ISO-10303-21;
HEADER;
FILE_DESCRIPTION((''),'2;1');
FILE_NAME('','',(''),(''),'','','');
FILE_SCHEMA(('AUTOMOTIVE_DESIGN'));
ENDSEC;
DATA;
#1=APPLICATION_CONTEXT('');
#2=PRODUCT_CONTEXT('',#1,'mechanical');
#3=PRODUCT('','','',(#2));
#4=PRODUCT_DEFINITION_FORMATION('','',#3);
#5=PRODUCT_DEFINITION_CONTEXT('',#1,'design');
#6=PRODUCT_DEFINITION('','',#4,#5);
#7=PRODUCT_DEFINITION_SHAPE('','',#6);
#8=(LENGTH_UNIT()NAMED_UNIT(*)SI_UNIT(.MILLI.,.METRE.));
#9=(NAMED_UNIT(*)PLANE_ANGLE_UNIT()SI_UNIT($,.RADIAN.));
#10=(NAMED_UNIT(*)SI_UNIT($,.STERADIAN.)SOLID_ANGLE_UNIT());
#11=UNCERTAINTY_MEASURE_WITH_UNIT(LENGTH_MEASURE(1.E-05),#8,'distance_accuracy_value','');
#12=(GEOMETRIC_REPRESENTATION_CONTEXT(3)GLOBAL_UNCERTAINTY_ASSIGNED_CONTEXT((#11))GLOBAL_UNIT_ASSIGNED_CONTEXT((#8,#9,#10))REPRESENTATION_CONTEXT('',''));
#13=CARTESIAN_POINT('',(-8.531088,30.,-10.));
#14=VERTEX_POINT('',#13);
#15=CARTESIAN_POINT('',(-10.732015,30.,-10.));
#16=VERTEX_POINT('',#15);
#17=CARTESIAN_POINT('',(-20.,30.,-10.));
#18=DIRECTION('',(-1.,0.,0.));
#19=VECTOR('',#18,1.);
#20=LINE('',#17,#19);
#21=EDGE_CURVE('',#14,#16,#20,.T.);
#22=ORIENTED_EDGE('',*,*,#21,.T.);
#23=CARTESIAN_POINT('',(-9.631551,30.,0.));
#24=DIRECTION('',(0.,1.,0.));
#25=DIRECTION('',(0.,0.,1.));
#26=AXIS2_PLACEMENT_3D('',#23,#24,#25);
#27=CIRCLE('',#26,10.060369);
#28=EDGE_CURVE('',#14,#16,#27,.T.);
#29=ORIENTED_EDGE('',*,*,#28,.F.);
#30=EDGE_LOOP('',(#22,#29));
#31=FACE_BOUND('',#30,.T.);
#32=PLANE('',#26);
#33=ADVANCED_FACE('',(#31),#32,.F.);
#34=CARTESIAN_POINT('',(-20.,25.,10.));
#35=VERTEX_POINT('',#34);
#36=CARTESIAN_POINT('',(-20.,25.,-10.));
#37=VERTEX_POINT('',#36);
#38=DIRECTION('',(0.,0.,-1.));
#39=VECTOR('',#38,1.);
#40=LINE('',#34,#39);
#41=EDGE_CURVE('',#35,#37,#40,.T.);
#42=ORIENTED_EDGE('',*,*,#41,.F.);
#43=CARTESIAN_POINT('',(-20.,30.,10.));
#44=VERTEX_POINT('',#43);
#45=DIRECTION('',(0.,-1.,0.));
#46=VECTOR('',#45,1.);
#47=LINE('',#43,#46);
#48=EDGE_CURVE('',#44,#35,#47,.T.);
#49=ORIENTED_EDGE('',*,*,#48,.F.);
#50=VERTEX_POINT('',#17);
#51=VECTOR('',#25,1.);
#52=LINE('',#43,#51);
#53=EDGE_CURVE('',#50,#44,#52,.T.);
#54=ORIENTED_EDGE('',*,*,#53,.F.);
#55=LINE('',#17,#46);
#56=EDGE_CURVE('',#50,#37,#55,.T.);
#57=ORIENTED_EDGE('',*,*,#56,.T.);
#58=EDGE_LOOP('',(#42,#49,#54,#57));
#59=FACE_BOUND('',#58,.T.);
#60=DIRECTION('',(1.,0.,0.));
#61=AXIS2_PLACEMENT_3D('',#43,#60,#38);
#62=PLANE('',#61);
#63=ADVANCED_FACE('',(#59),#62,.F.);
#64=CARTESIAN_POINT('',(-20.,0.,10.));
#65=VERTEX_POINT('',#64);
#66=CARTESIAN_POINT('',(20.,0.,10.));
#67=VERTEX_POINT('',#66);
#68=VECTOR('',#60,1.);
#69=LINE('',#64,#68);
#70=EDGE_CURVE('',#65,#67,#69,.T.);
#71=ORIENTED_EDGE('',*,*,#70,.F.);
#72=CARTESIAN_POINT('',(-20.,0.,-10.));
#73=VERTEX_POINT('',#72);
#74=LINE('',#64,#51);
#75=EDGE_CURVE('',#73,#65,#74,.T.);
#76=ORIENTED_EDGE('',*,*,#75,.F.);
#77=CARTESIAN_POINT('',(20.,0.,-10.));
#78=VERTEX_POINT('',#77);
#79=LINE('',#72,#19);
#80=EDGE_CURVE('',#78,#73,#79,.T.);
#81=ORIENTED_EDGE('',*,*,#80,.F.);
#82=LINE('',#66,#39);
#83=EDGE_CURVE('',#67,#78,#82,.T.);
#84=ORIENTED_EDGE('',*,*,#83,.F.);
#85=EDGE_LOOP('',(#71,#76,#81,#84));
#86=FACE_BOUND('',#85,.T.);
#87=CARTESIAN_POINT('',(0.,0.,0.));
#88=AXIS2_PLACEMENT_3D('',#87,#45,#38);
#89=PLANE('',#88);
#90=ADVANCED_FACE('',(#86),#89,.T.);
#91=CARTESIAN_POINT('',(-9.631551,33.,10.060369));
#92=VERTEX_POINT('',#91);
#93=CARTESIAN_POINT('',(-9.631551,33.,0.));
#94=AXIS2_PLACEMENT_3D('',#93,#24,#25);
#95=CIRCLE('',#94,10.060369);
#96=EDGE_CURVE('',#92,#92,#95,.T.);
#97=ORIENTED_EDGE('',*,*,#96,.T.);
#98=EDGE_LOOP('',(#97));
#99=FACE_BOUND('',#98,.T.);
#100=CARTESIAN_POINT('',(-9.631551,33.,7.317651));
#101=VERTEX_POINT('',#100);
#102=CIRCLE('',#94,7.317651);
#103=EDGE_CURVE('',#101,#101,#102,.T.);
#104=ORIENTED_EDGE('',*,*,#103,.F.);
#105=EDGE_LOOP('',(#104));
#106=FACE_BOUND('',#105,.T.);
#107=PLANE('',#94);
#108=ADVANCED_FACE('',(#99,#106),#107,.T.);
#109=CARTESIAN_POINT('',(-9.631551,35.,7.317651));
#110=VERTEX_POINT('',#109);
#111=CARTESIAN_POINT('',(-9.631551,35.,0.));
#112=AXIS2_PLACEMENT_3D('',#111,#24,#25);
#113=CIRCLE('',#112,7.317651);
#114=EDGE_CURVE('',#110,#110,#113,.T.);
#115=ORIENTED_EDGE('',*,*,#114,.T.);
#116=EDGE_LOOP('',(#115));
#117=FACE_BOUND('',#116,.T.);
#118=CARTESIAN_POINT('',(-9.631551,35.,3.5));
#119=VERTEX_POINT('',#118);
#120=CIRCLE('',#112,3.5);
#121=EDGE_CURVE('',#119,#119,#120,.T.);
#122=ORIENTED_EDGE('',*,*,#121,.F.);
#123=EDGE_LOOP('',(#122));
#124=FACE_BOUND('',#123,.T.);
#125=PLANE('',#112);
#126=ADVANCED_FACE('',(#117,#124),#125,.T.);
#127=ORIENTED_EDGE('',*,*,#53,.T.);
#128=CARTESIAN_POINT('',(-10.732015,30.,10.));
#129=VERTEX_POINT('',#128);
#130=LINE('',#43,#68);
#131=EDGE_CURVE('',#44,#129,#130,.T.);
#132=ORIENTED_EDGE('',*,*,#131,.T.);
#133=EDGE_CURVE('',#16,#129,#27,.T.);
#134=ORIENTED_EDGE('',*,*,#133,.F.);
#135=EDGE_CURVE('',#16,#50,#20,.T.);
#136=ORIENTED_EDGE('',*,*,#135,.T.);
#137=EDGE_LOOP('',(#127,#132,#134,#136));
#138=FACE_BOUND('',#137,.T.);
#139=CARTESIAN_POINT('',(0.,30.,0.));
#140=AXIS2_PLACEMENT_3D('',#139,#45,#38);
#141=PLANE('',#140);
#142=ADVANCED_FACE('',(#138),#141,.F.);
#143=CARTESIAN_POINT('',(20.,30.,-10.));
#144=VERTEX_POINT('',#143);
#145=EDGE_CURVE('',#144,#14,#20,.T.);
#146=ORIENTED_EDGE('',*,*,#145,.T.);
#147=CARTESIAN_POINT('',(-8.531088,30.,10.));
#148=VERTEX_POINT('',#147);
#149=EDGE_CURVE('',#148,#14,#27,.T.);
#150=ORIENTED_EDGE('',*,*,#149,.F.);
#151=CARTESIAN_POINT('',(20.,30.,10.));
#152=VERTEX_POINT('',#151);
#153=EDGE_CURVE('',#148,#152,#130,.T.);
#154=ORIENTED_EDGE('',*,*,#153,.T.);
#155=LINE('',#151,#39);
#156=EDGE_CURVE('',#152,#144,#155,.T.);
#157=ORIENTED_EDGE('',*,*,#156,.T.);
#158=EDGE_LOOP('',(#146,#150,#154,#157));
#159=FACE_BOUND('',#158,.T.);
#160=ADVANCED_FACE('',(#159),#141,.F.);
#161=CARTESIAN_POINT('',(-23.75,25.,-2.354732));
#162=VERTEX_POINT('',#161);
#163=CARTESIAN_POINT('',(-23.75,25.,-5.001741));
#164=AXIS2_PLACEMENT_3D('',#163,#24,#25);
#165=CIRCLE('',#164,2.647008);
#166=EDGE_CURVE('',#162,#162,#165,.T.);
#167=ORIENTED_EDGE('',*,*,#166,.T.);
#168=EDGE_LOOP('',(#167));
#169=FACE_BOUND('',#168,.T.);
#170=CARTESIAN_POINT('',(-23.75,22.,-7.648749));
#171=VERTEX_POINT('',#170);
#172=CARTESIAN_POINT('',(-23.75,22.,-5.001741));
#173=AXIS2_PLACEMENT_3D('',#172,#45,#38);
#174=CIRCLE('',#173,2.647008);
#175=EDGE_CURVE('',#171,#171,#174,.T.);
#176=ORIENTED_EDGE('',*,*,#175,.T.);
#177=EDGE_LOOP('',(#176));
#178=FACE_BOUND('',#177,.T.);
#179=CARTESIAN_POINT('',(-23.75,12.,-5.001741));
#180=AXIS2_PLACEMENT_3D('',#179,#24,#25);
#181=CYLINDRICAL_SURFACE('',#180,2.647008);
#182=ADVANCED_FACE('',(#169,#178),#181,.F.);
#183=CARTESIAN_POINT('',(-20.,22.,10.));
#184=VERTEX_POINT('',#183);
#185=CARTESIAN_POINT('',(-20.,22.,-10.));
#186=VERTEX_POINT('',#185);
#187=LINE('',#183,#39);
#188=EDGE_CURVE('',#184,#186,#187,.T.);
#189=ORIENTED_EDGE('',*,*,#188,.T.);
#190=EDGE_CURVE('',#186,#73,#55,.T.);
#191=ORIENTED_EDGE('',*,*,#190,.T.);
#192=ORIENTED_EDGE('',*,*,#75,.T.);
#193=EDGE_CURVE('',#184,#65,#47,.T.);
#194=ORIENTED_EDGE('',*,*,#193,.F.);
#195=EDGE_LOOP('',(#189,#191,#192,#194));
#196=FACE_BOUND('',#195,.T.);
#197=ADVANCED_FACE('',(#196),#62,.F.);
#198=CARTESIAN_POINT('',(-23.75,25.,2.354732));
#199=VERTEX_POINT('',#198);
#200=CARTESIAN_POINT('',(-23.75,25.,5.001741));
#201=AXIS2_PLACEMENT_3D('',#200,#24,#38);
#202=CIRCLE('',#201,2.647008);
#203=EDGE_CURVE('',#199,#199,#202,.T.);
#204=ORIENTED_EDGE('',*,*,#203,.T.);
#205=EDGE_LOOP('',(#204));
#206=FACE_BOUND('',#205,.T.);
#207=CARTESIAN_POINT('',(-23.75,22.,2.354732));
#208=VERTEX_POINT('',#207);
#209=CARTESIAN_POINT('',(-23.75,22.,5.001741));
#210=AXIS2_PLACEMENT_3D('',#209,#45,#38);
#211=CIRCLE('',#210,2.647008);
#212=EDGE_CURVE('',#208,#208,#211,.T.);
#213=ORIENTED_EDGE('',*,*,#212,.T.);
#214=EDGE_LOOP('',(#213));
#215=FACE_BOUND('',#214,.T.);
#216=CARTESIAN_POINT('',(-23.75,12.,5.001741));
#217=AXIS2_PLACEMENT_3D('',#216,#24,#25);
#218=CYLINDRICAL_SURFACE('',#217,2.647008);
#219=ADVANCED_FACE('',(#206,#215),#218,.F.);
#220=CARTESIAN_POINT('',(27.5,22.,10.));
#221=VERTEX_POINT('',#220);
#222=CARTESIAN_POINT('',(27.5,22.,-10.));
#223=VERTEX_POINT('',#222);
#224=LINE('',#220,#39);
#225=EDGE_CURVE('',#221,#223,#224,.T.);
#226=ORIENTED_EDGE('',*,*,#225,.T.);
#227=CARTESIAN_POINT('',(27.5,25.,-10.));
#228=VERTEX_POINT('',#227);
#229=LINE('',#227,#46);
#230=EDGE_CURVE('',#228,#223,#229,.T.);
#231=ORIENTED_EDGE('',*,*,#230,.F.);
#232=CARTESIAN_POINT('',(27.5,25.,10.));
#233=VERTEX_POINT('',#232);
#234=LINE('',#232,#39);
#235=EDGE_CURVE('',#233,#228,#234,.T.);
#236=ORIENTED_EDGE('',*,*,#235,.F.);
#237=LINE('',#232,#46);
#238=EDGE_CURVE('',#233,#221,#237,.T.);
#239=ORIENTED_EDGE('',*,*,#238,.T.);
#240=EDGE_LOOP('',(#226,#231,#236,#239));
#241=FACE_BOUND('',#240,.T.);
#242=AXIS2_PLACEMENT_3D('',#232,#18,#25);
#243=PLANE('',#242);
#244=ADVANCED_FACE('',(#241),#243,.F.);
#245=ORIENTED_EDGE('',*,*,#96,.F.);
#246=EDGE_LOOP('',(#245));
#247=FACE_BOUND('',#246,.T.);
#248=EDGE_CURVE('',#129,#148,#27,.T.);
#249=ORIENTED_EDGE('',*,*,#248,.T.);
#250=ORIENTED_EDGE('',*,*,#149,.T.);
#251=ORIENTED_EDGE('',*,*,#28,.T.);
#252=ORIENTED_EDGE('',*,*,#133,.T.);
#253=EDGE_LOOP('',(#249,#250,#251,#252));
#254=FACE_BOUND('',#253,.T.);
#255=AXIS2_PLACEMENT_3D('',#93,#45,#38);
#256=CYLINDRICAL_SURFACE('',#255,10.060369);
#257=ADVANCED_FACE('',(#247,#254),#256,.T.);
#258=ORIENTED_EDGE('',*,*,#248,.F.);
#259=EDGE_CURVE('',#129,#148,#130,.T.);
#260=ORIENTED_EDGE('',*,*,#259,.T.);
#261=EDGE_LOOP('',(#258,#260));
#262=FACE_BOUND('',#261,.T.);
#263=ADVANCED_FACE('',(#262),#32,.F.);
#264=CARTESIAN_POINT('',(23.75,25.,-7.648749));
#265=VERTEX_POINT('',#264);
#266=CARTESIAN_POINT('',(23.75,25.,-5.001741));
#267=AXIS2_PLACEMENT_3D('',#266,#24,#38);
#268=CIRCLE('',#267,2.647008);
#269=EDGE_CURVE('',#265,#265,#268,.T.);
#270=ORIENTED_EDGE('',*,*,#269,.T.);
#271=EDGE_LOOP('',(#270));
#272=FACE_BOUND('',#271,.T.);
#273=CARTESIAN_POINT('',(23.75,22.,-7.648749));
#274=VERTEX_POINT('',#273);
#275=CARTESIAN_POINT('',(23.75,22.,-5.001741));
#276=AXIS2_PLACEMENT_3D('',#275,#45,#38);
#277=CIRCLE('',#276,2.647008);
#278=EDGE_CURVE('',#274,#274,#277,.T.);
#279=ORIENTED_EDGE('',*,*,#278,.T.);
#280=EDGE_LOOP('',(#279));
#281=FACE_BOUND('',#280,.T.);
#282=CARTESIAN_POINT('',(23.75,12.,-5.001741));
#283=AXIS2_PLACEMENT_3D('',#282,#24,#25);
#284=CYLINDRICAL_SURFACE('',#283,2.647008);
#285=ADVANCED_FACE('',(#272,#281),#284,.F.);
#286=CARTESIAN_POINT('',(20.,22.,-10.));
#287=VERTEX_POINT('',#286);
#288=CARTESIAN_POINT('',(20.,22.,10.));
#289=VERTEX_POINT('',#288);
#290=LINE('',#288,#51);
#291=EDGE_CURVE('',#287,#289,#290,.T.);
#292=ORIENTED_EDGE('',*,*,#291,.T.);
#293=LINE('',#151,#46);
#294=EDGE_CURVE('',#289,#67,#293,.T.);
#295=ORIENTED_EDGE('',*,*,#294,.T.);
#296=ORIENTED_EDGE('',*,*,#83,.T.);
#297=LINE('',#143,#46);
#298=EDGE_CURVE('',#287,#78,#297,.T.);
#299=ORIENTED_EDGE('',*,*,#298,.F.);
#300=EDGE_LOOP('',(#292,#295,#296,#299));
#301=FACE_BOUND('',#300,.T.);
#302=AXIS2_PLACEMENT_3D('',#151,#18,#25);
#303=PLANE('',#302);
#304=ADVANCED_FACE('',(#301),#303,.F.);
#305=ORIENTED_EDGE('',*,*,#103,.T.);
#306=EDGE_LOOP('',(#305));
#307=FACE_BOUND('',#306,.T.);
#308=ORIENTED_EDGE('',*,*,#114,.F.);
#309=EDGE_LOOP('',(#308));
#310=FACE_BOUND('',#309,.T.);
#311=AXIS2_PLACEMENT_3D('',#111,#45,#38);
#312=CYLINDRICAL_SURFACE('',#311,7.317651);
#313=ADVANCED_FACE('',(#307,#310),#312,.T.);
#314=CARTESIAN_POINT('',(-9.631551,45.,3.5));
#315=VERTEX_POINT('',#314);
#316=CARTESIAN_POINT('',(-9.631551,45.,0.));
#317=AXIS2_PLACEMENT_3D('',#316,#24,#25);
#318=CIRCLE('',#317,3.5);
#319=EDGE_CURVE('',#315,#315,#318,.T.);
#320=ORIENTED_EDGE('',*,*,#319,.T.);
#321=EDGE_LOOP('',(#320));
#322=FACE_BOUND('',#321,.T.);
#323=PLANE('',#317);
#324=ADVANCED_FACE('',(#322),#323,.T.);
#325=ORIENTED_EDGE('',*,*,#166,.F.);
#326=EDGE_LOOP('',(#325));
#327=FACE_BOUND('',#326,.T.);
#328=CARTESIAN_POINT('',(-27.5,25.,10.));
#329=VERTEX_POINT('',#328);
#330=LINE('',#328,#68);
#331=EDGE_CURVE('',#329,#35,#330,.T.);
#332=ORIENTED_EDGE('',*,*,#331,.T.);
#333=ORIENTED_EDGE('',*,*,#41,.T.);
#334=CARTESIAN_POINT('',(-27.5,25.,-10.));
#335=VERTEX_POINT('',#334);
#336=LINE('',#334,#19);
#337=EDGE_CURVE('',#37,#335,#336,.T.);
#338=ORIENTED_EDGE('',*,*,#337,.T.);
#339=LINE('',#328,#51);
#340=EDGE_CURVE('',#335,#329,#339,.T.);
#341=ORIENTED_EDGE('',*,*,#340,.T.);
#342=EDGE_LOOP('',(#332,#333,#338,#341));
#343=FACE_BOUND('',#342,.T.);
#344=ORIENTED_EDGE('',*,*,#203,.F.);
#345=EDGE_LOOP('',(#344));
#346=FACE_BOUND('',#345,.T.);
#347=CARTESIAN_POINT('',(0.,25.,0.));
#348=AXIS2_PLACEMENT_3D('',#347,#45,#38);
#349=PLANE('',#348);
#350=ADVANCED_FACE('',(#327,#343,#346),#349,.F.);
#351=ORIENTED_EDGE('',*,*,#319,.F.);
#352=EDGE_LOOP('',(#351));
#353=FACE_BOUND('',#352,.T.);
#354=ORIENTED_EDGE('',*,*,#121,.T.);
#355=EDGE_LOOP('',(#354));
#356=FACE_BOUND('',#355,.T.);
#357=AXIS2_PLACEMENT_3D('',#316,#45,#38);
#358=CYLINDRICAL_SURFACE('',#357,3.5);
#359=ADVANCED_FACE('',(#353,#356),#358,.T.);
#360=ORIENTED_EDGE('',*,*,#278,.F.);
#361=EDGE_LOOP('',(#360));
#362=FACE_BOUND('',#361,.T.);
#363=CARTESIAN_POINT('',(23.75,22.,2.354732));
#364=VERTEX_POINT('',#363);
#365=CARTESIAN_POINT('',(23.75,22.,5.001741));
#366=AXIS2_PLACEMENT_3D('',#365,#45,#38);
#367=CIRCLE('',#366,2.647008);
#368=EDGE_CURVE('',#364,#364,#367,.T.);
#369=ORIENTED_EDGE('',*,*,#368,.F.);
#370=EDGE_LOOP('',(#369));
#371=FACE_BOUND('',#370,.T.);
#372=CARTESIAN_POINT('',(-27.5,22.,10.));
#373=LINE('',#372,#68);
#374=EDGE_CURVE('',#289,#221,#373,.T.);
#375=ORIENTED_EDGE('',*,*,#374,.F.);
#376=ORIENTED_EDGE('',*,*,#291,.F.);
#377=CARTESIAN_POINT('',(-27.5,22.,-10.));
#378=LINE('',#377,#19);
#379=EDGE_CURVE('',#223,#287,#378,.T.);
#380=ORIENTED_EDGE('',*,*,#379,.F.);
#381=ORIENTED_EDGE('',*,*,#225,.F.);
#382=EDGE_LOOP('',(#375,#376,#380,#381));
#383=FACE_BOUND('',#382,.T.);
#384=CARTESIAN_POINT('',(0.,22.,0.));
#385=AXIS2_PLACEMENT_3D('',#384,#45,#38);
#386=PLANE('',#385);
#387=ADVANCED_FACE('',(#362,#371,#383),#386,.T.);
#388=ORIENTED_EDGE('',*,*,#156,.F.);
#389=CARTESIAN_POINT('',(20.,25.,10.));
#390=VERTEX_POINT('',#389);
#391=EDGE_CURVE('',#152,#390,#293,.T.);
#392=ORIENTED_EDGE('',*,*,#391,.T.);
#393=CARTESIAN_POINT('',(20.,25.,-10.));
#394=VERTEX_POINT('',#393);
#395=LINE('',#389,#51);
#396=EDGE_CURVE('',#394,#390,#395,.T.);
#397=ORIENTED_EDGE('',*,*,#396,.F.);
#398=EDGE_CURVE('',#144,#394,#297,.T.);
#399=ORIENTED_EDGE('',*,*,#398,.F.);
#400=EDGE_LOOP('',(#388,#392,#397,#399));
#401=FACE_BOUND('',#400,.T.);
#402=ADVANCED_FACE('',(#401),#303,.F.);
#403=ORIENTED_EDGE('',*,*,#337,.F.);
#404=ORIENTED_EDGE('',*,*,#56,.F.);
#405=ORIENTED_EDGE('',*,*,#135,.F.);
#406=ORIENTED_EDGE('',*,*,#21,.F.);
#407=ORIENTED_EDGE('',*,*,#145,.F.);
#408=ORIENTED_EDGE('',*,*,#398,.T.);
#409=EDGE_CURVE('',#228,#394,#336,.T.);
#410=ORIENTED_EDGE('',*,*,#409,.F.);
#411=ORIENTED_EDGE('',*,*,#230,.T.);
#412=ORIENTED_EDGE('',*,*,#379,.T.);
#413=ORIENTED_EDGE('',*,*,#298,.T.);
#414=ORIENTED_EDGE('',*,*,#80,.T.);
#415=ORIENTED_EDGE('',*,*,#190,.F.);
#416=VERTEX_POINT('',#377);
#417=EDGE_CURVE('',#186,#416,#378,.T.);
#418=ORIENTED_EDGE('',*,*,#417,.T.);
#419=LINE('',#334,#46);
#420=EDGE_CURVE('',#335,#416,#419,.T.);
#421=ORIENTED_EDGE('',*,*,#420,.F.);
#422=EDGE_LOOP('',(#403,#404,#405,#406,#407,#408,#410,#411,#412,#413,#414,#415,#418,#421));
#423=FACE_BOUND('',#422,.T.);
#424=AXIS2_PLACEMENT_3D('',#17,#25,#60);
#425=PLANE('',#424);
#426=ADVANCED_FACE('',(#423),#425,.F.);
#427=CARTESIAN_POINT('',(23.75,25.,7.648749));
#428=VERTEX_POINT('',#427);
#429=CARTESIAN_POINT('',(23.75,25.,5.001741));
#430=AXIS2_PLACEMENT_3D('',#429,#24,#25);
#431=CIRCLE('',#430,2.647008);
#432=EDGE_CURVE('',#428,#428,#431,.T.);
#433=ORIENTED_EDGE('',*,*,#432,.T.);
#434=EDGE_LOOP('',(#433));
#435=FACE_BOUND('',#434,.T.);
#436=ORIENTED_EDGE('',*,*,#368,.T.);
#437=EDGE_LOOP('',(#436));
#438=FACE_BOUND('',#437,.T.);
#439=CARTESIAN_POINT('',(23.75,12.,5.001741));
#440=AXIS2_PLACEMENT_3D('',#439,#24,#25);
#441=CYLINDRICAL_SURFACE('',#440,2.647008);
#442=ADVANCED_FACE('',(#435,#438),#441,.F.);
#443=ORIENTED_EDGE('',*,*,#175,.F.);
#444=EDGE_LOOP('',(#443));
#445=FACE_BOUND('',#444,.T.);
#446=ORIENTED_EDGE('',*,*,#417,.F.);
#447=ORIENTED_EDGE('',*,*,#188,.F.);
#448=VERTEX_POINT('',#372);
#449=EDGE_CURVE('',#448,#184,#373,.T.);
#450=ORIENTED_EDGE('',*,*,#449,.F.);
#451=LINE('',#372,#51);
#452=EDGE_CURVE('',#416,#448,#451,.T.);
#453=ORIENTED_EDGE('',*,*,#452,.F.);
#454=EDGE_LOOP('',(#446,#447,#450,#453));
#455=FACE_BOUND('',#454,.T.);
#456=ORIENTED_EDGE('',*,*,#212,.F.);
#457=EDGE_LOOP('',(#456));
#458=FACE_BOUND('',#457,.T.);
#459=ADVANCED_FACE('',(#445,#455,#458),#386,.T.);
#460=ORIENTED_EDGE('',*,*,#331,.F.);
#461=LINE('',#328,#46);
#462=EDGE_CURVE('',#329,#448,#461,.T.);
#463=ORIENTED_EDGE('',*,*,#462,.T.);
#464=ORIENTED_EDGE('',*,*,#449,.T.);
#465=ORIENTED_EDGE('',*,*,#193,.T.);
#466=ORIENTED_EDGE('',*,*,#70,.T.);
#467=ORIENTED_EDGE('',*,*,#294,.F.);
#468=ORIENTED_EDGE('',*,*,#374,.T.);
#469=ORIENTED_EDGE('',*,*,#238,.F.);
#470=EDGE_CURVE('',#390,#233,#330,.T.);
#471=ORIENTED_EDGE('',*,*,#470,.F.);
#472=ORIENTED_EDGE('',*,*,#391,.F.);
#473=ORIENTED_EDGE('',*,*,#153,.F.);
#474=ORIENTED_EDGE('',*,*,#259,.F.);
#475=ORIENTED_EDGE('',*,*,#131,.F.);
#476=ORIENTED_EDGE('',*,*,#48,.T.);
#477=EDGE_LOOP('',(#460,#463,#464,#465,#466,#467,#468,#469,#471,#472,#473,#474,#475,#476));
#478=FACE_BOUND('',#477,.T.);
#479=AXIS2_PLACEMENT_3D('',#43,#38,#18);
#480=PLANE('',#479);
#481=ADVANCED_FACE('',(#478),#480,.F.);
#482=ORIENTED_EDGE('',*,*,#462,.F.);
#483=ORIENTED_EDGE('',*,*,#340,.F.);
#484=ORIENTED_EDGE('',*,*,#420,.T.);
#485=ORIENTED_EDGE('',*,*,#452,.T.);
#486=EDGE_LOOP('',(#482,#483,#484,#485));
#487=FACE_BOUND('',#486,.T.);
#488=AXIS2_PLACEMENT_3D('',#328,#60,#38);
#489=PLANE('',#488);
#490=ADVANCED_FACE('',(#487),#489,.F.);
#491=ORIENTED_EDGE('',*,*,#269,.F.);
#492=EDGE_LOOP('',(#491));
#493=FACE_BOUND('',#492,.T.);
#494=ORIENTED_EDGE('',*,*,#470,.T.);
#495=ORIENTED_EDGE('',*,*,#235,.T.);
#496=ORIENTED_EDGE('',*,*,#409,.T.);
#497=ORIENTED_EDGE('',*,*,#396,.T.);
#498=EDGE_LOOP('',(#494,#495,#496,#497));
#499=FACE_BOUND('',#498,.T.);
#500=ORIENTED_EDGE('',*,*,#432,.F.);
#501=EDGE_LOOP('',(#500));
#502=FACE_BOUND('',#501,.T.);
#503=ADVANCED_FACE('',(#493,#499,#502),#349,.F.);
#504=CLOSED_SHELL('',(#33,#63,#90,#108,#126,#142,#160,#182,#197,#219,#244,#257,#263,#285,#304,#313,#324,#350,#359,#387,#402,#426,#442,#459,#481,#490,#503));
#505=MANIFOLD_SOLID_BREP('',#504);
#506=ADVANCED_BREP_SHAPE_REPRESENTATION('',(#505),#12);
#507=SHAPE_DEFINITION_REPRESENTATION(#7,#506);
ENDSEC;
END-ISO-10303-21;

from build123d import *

# Parameters (mm, degrees)
IZIM1_W                     = 40
IZIM1_H                     = 20
Y_KSEKLIK_EKSTR_ZYON1_DEPTH = 30
IZIM2_W                     = 55
IZIM2_H                     = 20
Y_KSEKLIK_EKSTR_ZYON2_DEPTH = 3
IZIM3_R                     = 2.647008292
KES_EKSTR_ZYON1_DEPTH       = 13
IZIM4_R                     = 10.060368761
Y_KSEKLIK_EKSTR_ZYON3_DEPTH = 3
IZIM5_R                     = 7.317651021
Y_KSEKLIK_EKSTR_ZYON4_DEPTH = 2
IZIM6_R                     = 3.5
Y_KSEKLIK_EKSTR_ZYON5_DEPTH = 10


with BuildPart() as part:
    # Çizim1 → Yükseklik-Ekstrüzyon1 (new body)
    with BuildSketch(Plane(origin=(0, 0, 0), x_dir=(1, 0, 0), z_dir=(0, 1, 0))):
        Rectangle(IZIM1_W, IZIM1_H)
    extrude(amount=Y_KSEKLIK_EKSTR_ZYON1_DEPTH)

    # Çizim2 → Yükseklik-Ekstrüzyon2 (add)
    with BuildSketch(Plane(origin=(0, 22, 0), x_dir=(1, 0, 0), z_dir=(0, 1, 0))):
        Rectangle(IZIM2_W, IZIM2_H)
    extrude(amount=Y_KSEKLIK_EKSTR_ZYON2_DEPTH)

    # Çizim3 → Kes-Ekstrüzyon1 (cut)
    with BuildSketch(Plane(origin=(0, 25, 0), x_dir=(1, 0, 0), z_dir=(0, 1, 0))):
        with Locations(Location((-23.75, 5.00174063, 0), (0, 0, 270))):
            Circle(IZIM3_R)
        with Locations(Location((-23.75, -5.00174063, 0), (0, 0, 90))):
            Circle(IZIM3_R)
        with Locations(Location((23.75, -5.00174063, 0), (0, 0, 270))):
            Circle(IZIM3_R)
        with Locations(Location((23.75, 5.00174063, 0), (0, 0, 90))):
            Circle(IZIM3_R)
    extrude(amount=-KES_EKSTR_ZYON1_DEPTH, mode=Mode.SUBTRACT)

    # Çizim4 → Yükseklik-Ekstrüzyon3 (add)
    with BuildSketch(Plane(origin=(0, 30, 0), x_dir=(1, 0, 0), z_dir=(0, 1, 0))):
        with Locations(Location((-9.631551276, 0, 0), (0, 0, 96.279921615))):
            Circle(IZIM4_R)
    extrude(amount=Y_KSEKLIK_EKSTR_ZYON3_DEPTH)

    # Çizim5 → Yükseklik-Ekstrüzyon4 (add)
    with BuildSketch(Plane(origin=(0, 33, 0), x_dir=(1, 0, 0), z_dir=(0, 1, 0))):
        with Locations(Location((-9.631551276, 0, 0), (0, 0, 270))):
            Circle(IZIM5_R)
    extrude(amount=Y_KSEKLIK_EKSTR_ZYON4_DEPTH)

    # Çizim6 → Yükseklik-Ekstrüzyon5 (add)
    with BuildSketch(Plane(origin=(0, 35, 0), x_dir=(1, 0, 0), z_dir=(0, 1, 0))):
        with Locations(Location((-9.631551276, 0, 0), (0, 0, 270))):
            Circle(IZIM6_R)
    extrude(amount=Y_KSEKLIK_EKSTR_ZYON5_DEPTH)


solid = part.part
